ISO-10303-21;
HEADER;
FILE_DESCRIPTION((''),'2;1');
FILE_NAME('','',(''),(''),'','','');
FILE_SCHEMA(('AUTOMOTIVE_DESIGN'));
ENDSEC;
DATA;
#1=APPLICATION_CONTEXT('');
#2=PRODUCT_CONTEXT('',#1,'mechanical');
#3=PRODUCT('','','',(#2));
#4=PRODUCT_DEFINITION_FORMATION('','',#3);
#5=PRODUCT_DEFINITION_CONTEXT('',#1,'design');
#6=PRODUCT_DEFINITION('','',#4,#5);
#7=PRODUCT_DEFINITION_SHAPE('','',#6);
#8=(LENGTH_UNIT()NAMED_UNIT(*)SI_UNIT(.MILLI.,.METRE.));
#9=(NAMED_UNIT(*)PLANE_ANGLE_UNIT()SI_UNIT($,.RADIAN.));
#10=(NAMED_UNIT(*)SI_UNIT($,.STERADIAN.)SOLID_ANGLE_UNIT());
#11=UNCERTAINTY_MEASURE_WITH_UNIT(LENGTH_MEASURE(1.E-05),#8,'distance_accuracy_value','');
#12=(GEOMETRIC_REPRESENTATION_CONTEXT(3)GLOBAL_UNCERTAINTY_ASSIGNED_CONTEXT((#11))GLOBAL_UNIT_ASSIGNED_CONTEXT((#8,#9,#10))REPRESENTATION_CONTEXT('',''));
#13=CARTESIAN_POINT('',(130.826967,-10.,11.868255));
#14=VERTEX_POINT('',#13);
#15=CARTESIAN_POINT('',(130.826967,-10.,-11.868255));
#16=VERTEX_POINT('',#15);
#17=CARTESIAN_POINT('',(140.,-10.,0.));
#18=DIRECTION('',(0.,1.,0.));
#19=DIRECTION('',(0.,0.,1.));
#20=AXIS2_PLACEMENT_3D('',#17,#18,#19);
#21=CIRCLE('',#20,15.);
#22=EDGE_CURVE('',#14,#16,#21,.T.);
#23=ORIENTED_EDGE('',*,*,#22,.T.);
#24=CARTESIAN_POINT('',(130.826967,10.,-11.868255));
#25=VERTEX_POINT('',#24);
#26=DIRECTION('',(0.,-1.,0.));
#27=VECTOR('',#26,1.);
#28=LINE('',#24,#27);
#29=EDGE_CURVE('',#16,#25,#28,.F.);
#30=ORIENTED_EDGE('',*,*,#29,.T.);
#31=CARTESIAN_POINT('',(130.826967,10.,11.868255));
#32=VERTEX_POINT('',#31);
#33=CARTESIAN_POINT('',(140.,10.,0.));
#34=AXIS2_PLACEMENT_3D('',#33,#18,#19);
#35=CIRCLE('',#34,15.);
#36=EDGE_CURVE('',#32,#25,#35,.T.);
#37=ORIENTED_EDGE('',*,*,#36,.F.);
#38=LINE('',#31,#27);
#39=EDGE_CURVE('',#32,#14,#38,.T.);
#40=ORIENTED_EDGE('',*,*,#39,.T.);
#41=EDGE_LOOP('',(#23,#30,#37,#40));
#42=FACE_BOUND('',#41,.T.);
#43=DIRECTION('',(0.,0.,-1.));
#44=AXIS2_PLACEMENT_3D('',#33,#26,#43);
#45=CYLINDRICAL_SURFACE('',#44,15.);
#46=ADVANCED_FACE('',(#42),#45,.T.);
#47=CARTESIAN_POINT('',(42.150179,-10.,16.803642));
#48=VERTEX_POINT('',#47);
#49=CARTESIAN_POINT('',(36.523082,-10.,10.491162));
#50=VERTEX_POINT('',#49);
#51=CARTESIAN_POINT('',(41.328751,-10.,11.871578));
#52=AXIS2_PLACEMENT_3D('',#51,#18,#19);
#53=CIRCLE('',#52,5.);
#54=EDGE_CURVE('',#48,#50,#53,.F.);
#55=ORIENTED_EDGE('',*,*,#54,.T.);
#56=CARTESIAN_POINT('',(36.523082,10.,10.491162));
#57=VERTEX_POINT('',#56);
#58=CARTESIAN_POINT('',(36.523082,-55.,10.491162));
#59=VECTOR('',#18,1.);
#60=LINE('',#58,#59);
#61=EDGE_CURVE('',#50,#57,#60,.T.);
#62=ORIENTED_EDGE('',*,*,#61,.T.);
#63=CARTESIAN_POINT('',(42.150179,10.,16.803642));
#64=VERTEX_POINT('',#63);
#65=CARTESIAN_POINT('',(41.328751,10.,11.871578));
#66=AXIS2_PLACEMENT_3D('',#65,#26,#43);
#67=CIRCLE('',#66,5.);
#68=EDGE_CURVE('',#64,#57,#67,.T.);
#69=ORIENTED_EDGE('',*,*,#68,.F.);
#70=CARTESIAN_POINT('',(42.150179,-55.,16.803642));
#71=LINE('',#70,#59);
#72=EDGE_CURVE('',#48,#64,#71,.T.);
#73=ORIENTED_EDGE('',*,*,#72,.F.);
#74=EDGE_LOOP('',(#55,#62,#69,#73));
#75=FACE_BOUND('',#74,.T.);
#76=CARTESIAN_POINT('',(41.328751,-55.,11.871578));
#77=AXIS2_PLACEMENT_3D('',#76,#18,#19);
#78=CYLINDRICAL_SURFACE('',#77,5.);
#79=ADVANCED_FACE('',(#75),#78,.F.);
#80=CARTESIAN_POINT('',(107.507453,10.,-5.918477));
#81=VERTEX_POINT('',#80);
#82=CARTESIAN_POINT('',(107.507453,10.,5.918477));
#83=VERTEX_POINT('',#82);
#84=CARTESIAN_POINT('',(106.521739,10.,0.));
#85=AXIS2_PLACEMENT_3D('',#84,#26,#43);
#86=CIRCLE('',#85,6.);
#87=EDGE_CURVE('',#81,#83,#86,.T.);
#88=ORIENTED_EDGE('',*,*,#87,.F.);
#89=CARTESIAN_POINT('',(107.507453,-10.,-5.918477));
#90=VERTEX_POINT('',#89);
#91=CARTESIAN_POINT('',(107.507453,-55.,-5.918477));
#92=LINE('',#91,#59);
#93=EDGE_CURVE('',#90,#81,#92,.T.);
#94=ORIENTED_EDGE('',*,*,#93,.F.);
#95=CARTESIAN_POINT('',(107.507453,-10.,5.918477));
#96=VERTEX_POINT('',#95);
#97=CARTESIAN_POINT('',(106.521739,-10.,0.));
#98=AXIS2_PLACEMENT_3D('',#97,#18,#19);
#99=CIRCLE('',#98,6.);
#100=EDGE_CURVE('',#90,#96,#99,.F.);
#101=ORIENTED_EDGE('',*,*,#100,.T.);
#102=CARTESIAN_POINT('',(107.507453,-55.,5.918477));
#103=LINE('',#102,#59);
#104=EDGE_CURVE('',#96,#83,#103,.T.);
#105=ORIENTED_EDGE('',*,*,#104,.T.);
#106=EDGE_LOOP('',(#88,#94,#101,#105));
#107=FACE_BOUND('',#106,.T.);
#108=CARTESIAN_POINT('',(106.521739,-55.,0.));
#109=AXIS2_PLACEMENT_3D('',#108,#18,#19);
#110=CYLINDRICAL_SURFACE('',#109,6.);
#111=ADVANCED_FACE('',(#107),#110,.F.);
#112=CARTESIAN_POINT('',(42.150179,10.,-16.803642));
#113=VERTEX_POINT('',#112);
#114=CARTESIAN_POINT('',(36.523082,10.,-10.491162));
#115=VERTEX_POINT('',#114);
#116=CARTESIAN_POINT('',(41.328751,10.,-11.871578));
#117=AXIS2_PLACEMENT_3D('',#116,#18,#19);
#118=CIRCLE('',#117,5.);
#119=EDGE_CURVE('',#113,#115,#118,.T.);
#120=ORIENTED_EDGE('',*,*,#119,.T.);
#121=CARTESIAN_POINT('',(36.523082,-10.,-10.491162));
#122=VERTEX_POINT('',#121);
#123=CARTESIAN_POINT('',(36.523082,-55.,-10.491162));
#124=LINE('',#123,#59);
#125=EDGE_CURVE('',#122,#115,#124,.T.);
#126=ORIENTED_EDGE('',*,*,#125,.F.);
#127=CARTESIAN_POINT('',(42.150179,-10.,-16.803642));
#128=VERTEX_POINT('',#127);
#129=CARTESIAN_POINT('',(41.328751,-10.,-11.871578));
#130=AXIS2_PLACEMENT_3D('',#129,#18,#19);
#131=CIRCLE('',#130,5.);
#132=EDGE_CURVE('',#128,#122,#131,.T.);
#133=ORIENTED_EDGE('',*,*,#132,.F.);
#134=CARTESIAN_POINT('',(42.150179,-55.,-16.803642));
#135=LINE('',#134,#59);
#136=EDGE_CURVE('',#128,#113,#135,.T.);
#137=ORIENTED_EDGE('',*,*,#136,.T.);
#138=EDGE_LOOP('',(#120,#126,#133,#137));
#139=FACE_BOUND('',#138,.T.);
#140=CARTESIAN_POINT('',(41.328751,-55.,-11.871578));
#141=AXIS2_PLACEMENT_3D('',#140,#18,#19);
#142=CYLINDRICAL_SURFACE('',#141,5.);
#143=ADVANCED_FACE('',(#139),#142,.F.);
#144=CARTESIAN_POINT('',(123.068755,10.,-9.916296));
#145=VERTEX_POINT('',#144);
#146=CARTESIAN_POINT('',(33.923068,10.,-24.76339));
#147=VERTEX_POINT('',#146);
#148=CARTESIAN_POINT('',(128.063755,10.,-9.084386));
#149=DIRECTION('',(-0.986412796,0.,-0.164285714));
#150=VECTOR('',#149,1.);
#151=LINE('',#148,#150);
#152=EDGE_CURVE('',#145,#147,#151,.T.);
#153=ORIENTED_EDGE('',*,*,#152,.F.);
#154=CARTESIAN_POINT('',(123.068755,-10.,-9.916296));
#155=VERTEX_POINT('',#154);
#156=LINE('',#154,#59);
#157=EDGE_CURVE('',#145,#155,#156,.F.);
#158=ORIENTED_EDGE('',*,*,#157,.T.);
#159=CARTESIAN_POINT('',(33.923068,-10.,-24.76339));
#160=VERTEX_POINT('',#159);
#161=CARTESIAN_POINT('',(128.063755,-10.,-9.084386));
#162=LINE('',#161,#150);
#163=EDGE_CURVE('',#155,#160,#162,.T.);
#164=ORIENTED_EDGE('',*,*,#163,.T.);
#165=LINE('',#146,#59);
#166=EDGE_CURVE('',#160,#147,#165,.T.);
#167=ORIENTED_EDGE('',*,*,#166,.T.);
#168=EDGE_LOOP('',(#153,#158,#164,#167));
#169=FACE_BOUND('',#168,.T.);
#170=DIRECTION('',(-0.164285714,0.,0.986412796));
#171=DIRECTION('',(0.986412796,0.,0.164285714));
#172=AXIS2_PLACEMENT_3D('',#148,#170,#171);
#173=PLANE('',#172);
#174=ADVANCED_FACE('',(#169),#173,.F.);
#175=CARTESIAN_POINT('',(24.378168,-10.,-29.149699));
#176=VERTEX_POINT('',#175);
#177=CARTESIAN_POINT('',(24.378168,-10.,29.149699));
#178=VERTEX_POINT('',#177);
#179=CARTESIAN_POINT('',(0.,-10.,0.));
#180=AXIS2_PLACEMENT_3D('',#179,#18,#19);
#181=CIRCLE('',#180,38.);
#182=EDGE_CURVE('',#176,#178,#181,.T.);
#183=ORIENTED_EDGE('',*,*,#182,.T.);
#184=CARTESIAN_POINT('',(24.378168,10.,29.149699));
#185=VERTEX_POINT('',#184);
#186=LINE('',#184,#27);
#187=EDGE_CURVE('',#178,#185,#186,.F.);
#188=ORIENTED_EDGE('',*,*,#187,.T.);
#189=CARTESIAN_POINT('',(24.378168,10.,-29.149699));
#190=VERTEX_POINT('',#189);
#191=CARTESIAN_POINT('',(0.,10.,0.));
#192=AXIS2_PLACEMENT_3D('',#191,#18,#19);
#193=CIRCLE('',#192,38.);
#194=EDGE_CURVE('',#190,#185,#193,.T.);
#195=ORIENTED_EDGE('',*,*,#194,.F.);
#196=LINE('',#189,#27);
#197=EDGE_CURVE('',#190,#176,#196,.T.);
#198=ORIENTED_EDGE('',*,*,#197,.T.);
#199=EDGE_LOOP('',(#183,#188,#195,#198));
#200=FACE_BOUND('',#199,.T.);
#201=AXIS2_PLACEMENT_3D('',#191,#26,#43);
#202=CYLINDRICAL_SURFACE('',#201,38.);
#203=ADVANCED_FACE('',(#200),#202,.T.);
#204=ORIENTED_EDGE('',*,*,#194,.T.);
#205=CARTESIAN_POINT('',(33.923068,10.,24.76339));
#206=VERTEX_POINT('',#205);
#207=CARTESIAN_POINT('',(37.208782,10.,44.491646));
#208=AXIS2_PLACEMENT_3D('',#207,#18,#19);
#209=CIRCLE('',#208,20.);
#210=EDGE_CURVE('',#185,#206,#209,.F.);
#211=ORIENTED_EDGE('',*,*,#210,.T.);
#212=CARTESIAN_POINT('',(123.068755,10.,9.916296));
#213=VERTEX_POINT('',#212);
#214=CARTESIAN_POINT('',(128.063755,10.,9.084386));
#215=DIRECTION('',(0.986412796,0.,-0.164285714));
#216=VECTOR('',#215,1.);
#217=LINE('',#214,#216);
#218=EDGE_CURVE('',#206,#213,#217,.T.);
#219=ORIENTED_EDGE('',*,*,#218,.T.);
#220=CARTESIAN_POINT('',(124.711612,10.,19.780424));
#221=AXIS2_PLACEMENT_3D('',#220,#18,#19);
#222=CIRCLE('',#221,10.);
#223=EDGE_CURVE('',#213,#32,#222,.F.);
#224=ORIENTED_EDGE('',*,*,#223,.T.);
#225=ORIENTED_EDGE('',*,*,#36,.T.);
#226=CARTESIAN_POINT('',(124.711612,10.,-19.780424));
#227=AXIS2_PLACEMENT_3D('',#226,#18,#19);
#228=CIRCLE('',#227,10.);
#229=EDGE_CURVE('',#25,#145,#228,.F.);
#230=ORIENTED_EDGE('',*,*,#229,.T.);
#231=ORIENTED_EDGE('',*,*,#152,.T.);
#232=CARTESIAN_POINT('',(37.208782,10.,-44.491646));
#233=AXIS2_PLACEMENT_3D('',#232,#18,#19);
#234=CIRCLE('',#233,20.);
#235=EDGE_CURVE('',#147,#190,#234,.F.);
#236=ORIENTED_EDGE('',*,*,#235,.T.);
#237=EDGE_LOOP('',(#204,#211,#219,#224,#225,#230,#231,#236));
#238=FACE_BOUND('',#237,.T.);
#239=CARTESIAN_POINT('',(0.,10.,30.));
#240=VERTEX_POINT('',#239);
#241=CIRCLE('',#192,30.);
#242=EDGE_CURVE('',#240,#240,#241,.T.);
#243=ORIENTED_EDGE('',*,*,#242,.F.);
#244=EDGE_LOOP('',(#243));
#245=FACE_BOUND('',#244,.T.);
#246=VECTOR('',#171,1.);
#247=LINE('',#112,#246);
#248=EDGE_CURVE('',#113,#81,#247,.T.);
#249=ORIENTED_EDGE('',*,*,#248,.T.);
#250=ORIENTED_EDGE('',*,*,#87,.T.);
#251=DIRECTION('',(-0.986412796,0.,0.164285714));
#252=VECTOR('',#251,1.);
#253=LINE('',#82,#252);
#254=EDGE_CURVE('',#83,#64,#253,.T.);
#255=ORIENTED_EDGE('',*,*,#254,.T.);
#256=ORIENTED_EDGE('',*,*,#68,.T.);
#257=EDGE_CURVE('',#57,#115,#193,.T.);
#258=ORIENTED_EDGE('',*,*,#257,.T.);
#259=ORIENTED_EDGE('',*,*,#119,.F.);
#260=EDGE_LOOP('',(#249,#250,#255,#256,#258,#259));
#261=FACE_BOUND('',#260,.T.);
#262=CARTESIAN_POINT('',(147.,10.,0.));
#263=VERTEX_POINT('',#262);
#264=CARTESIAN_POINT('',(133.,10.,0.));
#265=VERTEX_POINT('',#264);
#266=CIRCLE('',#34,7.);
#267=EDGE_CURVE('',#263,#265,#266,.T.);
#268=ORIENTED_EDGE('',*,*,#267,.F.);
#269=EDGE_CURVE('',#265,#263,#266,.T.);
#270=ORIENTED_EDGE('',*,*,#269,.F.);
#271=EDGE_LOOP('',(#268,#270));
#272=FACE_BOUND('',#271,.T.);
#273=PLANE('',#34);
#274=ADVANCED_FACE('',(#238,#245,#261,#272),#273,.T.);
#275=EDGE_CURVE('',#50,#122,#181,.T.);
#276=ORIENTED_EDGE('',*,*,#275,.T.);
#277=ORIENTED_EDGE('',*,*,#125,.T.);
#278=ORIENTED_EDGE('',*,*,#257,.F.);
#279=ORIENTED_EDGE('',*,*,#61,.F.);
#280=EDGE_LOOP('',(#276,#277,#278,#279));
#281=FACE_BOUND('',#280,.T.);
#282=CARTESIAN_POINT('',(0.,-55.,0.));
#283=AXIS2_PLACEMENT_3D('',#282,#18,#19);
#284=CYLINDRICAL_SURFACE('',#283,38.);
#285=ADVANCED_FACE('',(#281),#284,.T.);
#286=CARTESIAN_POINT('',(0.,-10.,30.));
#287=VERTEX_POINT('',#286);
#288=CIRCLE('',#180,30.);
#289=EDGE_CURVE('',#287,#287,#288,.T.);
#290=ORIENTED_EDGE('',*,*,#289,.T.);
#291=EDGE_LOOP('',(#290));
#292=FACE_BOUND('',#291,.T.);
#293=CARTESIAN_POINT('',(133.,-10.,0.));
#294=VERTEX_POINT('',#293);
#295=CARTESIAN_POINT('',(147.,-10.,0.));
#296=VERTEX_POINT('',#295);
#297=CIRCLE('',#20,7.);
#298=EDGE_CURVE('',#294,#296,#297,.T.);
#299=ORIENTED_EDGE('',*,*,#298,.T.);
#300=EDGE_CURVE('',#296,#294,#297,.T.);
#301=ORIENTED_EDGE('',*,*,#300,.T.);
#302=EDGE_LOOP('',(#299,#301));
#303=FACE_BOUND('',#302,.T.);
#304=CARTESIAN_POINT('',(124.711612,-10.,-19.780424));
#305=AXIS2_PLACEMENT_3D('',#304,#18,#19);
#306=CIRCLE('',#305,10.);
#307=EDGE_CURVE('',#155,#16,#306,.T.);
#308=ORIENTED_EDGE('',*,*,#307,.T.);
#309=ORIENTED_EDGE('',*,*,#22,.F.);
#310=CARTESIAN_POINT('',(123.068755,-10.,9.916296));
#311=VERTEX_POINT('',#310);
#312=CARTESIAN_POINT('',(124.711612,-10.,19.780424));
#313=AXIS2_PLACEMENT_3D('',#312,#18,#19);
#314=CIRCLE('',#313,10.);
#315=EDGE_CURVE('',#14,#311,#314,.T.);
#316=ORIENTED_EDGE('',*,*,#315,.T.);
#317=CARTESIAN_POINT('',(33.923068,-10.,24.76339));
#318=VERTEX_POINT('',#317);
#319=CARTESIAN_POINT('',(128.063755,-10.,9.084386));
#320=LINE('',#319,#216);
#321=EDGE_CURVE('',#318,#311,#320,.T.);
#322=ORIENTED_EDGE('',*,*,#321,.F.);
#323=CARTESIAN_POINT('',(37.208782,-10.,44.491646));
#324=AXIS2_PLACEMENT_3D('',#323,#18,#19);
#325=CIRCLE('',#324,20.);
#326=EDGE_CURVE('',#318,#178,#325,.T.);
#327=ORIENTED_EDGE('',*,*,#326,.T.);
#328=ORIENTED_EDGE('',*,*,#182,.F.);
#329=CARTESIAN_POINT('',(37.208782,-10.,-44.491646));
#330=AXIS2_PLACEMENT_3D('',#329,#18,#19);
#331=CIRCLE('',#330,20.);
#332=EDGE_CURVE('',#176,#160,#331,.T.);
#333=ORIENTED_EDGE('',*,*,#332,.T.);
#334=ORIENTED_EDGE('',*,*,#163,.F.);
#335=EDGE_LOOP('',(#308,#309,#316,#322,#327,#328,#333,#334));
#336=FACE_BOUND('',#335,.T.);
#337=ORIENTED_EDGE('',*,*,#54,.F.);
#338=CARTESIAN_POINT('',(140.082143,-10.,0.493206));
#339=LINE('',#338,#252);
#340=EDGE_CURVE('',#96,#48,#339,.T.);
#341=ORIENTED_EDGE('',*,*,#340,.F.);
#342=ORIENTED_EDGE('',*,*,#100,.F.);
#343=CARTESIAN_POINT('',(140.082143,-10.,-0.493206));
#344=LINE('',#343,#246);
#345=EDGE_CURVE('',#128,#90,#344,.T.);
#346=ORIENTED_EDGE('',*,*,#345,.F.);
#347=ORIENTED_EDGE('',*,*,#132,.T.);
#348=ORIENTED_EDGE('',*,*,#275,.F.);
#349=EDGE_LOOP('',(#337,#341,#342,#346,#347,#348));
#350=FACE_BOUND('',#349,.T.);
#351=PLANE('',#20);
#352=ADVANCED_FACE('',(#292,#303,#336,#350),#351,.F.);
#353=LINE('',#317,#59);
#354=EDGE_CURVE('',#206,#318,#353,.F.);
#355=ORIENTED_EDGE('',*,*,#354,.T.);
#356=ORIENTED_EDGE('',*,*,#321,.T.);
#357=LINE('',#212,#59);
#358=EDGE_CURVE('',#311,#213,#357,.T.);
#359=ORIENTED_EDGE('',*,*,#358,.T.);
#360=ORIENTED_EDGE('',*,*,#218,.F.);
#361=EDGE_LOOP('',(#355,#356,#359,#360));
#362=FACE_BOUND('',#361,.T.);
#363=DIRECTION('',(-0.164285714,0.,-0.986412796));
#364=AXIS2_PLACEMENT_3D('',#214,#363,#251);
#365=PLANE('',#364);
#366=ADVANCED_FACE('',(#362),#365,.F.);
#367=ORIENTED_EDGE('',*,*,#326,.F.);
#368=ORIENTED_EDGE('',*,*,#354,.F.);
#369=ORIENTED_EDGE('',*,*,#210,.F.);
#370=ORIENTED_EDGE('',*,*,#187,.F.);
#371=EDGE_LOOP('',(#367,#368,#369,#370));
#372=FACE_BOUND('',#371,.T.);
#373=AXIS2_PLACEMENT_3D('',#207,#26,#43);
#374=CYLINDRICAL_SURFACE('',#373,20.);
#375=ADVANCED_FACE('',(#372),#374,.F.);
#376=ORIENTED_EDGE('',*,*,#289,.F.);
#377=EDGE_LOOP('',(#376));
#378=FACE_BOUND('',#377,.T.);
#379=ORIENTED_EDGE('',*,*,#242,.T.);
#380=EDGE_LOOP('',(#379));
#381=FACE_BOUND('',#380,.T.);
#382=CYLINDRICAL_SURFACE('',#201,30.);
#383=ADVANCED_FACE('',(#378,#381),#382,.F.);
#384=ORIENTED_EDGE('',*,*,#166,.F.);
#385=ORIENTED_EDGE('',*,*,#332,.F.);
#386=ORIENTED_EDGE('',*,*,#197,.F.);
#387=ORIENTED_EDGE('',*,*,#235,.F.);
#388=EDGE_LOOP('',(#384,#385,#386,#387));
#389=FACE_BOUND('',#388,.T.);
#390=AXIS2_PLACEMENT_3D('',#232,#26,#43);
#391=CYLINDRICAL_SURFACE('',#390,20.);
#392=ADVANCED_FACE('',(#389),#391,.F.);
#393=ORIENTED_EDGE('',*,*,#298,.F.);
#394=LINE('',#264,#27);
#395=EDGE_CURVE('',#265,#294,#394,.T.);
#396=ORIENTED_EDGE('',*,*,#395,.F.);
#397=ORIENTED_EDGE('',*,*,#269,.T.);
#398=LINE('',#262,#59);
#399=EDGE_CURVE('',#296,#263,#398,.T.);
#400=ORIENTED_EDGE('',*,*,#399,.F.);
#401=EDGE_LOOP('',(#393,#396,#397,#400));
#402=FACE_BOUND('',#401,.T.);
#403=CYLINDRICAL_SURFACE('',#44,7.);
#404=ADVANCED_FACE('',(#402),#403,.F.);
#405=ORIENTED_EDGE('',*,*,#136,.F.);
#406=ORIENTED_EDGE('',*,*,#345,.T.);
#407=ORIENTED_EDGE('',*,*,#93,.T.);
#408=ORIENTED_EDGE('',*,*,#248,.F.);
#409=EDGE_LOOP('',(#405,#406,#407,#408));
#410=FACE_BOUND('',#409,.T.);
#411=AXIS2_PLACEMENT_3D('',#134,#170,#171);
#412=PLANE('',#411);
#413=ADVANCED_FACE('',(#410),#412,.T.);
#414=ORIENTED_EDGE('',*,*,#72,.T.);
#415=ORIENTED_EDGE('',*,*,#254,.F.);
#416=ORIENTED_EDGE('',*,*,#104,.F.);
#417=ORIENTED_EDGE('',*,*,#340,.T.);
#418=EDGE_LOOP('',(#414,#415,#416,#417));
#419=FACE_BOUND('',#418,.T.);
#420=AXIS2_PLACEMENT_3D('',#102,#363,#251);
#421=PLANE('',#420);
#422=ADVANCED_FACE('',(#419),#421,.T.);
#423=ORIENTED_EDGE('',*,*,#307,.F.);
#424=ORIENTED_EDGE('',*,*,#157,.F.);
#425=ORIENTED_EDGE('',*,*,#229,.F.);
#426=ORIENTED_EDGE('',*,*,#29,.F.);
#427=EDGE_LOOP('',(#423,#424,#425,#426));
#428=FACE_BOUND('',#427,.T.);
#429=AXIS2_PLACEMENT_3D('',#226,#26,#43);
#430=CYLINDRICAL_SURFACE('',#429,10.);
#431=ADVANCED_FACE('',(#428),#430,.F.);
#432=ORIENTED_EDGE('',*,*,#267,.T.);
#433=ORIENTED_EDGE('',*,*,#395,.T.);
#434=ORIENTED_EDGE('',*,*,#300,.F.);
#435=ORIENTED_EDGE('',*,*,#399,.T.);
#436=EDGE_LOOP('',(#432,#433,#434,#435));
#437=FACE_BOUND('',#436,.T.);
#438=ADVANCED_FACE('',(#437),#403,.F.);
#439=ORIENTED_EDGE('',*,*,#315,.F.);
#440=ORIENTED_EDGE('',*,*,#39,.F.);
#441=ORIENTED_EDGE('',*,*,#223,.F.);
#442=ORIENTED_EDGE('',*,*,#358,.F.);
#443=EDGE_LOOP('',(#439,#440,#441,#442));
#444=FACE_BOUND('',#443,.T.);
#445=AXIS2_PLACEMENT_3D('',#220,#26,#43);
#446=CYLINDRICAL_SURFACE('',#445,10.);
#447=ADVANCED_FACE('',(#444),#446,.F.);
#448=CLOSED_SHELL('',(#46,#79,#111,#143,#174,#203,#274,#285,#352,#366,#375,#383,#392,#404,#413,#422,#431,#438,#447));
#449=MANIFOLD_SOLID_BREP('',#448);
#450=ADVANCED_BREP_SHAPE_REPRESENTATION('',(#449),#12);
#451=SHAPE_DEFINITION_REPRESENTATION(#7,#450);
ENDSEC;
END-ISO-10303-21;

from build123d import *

# Parameters (mm, degrees)
SKETCH1_R           = 30
SKETCH1_R_2         = 7
BOSS_EXTRUDE1_DEPTH = 10
FILLET1_R           = 10
FILLET2_R           = 20
CUT_EXTRUDE1_DEPTH  = 65


with BuildPart() as part:
    # Sketch1 → Boss-Extrude1 (new, symmetric)
    with BuildSketch(Plane(origin=(0, 0, 0), x_dir=(1, 0, 0), z_dir=(0, 1, 0))):
        with BuildLine():
            Line((128.063755469, 9.084385863), (27.935473676, 25.760615491))
            ThreePointArc((27.935473676, 25.760615491), (-38, 0), (27.935473676, -25.760615491))
            Line((27.935473676, -25.760615491), (128.063755469, -9.084385863))
            ThreePointArc((128.063755469, -9.084385863), (155, 0), (128.063755469, 9.084385863))
        make_face()
        with Locations(Location((0, 0, 0), (0, 0, 270))):
            Circle(SKETCH1_R, mode=Mode.SUBTRACT)
        with Locations(Location((140, 0, 0), (0, 0, 270))):
            Circle(SKETCH1_R_2, mode=Mode.SUBTRACT)
    extrude(amount=BOSS_EXTRUDE1_DEPTH, both=True)

    # Fillet1
    fillet1_edges = [part.edges().sort_by_distance(p)[0] for p in [
        (128.063755469, 0, 9.084385863),
        (128.063755469, 0, -9.084385863),
    ]]
    fillet(fillet1_edges, radius=FILLET1_R)

    # Fillet2
    fillet2_edges = [part.edges().sort_by_distance(p)[0] for p in [
        (27.935473676, 0, 25.760615491),
        (27.935473676, 0, -25.760615491),
    ]]
    fillet(fillet2_edges, radius=FILLET2_R)

    # Sketch2 → Cut-Extrude1 (cut)
    with BuildSketch(Plane(origin=(0, 10, 0), x_dir=(1, 0, 0), z_dir=(0, 1, 0))):
        with BuildLine():
            Line((42.150179221, 16.803642214), (107.507453416, 5.918476776))
            ThreePointArc((107.507453416, 5.918476776), (112.52173913, 0), (107.507453416, -5.918476776))
            Line((107.507453416, -5.918476776), (42.150179221, -16.803642214))
            ThreePointArc((42.150179221, -16.803642214), (37.596406424, -15.198680064), (36.523081969, -10.491162161))
            ThreePointArc((36.523081969, -10.491162161), (38, 0), (36.523081969, 10.491162161))
            ThreePointArc((36.523081969, 10.491162161), (37.596406424, 15.198680064), (42.150179221, 16.803642214))
        make_face()
    extrude(amount=-CUT_EXTRUDE1_DEPTH, mode=Mode.SUBTRACT)


solid = part.part
